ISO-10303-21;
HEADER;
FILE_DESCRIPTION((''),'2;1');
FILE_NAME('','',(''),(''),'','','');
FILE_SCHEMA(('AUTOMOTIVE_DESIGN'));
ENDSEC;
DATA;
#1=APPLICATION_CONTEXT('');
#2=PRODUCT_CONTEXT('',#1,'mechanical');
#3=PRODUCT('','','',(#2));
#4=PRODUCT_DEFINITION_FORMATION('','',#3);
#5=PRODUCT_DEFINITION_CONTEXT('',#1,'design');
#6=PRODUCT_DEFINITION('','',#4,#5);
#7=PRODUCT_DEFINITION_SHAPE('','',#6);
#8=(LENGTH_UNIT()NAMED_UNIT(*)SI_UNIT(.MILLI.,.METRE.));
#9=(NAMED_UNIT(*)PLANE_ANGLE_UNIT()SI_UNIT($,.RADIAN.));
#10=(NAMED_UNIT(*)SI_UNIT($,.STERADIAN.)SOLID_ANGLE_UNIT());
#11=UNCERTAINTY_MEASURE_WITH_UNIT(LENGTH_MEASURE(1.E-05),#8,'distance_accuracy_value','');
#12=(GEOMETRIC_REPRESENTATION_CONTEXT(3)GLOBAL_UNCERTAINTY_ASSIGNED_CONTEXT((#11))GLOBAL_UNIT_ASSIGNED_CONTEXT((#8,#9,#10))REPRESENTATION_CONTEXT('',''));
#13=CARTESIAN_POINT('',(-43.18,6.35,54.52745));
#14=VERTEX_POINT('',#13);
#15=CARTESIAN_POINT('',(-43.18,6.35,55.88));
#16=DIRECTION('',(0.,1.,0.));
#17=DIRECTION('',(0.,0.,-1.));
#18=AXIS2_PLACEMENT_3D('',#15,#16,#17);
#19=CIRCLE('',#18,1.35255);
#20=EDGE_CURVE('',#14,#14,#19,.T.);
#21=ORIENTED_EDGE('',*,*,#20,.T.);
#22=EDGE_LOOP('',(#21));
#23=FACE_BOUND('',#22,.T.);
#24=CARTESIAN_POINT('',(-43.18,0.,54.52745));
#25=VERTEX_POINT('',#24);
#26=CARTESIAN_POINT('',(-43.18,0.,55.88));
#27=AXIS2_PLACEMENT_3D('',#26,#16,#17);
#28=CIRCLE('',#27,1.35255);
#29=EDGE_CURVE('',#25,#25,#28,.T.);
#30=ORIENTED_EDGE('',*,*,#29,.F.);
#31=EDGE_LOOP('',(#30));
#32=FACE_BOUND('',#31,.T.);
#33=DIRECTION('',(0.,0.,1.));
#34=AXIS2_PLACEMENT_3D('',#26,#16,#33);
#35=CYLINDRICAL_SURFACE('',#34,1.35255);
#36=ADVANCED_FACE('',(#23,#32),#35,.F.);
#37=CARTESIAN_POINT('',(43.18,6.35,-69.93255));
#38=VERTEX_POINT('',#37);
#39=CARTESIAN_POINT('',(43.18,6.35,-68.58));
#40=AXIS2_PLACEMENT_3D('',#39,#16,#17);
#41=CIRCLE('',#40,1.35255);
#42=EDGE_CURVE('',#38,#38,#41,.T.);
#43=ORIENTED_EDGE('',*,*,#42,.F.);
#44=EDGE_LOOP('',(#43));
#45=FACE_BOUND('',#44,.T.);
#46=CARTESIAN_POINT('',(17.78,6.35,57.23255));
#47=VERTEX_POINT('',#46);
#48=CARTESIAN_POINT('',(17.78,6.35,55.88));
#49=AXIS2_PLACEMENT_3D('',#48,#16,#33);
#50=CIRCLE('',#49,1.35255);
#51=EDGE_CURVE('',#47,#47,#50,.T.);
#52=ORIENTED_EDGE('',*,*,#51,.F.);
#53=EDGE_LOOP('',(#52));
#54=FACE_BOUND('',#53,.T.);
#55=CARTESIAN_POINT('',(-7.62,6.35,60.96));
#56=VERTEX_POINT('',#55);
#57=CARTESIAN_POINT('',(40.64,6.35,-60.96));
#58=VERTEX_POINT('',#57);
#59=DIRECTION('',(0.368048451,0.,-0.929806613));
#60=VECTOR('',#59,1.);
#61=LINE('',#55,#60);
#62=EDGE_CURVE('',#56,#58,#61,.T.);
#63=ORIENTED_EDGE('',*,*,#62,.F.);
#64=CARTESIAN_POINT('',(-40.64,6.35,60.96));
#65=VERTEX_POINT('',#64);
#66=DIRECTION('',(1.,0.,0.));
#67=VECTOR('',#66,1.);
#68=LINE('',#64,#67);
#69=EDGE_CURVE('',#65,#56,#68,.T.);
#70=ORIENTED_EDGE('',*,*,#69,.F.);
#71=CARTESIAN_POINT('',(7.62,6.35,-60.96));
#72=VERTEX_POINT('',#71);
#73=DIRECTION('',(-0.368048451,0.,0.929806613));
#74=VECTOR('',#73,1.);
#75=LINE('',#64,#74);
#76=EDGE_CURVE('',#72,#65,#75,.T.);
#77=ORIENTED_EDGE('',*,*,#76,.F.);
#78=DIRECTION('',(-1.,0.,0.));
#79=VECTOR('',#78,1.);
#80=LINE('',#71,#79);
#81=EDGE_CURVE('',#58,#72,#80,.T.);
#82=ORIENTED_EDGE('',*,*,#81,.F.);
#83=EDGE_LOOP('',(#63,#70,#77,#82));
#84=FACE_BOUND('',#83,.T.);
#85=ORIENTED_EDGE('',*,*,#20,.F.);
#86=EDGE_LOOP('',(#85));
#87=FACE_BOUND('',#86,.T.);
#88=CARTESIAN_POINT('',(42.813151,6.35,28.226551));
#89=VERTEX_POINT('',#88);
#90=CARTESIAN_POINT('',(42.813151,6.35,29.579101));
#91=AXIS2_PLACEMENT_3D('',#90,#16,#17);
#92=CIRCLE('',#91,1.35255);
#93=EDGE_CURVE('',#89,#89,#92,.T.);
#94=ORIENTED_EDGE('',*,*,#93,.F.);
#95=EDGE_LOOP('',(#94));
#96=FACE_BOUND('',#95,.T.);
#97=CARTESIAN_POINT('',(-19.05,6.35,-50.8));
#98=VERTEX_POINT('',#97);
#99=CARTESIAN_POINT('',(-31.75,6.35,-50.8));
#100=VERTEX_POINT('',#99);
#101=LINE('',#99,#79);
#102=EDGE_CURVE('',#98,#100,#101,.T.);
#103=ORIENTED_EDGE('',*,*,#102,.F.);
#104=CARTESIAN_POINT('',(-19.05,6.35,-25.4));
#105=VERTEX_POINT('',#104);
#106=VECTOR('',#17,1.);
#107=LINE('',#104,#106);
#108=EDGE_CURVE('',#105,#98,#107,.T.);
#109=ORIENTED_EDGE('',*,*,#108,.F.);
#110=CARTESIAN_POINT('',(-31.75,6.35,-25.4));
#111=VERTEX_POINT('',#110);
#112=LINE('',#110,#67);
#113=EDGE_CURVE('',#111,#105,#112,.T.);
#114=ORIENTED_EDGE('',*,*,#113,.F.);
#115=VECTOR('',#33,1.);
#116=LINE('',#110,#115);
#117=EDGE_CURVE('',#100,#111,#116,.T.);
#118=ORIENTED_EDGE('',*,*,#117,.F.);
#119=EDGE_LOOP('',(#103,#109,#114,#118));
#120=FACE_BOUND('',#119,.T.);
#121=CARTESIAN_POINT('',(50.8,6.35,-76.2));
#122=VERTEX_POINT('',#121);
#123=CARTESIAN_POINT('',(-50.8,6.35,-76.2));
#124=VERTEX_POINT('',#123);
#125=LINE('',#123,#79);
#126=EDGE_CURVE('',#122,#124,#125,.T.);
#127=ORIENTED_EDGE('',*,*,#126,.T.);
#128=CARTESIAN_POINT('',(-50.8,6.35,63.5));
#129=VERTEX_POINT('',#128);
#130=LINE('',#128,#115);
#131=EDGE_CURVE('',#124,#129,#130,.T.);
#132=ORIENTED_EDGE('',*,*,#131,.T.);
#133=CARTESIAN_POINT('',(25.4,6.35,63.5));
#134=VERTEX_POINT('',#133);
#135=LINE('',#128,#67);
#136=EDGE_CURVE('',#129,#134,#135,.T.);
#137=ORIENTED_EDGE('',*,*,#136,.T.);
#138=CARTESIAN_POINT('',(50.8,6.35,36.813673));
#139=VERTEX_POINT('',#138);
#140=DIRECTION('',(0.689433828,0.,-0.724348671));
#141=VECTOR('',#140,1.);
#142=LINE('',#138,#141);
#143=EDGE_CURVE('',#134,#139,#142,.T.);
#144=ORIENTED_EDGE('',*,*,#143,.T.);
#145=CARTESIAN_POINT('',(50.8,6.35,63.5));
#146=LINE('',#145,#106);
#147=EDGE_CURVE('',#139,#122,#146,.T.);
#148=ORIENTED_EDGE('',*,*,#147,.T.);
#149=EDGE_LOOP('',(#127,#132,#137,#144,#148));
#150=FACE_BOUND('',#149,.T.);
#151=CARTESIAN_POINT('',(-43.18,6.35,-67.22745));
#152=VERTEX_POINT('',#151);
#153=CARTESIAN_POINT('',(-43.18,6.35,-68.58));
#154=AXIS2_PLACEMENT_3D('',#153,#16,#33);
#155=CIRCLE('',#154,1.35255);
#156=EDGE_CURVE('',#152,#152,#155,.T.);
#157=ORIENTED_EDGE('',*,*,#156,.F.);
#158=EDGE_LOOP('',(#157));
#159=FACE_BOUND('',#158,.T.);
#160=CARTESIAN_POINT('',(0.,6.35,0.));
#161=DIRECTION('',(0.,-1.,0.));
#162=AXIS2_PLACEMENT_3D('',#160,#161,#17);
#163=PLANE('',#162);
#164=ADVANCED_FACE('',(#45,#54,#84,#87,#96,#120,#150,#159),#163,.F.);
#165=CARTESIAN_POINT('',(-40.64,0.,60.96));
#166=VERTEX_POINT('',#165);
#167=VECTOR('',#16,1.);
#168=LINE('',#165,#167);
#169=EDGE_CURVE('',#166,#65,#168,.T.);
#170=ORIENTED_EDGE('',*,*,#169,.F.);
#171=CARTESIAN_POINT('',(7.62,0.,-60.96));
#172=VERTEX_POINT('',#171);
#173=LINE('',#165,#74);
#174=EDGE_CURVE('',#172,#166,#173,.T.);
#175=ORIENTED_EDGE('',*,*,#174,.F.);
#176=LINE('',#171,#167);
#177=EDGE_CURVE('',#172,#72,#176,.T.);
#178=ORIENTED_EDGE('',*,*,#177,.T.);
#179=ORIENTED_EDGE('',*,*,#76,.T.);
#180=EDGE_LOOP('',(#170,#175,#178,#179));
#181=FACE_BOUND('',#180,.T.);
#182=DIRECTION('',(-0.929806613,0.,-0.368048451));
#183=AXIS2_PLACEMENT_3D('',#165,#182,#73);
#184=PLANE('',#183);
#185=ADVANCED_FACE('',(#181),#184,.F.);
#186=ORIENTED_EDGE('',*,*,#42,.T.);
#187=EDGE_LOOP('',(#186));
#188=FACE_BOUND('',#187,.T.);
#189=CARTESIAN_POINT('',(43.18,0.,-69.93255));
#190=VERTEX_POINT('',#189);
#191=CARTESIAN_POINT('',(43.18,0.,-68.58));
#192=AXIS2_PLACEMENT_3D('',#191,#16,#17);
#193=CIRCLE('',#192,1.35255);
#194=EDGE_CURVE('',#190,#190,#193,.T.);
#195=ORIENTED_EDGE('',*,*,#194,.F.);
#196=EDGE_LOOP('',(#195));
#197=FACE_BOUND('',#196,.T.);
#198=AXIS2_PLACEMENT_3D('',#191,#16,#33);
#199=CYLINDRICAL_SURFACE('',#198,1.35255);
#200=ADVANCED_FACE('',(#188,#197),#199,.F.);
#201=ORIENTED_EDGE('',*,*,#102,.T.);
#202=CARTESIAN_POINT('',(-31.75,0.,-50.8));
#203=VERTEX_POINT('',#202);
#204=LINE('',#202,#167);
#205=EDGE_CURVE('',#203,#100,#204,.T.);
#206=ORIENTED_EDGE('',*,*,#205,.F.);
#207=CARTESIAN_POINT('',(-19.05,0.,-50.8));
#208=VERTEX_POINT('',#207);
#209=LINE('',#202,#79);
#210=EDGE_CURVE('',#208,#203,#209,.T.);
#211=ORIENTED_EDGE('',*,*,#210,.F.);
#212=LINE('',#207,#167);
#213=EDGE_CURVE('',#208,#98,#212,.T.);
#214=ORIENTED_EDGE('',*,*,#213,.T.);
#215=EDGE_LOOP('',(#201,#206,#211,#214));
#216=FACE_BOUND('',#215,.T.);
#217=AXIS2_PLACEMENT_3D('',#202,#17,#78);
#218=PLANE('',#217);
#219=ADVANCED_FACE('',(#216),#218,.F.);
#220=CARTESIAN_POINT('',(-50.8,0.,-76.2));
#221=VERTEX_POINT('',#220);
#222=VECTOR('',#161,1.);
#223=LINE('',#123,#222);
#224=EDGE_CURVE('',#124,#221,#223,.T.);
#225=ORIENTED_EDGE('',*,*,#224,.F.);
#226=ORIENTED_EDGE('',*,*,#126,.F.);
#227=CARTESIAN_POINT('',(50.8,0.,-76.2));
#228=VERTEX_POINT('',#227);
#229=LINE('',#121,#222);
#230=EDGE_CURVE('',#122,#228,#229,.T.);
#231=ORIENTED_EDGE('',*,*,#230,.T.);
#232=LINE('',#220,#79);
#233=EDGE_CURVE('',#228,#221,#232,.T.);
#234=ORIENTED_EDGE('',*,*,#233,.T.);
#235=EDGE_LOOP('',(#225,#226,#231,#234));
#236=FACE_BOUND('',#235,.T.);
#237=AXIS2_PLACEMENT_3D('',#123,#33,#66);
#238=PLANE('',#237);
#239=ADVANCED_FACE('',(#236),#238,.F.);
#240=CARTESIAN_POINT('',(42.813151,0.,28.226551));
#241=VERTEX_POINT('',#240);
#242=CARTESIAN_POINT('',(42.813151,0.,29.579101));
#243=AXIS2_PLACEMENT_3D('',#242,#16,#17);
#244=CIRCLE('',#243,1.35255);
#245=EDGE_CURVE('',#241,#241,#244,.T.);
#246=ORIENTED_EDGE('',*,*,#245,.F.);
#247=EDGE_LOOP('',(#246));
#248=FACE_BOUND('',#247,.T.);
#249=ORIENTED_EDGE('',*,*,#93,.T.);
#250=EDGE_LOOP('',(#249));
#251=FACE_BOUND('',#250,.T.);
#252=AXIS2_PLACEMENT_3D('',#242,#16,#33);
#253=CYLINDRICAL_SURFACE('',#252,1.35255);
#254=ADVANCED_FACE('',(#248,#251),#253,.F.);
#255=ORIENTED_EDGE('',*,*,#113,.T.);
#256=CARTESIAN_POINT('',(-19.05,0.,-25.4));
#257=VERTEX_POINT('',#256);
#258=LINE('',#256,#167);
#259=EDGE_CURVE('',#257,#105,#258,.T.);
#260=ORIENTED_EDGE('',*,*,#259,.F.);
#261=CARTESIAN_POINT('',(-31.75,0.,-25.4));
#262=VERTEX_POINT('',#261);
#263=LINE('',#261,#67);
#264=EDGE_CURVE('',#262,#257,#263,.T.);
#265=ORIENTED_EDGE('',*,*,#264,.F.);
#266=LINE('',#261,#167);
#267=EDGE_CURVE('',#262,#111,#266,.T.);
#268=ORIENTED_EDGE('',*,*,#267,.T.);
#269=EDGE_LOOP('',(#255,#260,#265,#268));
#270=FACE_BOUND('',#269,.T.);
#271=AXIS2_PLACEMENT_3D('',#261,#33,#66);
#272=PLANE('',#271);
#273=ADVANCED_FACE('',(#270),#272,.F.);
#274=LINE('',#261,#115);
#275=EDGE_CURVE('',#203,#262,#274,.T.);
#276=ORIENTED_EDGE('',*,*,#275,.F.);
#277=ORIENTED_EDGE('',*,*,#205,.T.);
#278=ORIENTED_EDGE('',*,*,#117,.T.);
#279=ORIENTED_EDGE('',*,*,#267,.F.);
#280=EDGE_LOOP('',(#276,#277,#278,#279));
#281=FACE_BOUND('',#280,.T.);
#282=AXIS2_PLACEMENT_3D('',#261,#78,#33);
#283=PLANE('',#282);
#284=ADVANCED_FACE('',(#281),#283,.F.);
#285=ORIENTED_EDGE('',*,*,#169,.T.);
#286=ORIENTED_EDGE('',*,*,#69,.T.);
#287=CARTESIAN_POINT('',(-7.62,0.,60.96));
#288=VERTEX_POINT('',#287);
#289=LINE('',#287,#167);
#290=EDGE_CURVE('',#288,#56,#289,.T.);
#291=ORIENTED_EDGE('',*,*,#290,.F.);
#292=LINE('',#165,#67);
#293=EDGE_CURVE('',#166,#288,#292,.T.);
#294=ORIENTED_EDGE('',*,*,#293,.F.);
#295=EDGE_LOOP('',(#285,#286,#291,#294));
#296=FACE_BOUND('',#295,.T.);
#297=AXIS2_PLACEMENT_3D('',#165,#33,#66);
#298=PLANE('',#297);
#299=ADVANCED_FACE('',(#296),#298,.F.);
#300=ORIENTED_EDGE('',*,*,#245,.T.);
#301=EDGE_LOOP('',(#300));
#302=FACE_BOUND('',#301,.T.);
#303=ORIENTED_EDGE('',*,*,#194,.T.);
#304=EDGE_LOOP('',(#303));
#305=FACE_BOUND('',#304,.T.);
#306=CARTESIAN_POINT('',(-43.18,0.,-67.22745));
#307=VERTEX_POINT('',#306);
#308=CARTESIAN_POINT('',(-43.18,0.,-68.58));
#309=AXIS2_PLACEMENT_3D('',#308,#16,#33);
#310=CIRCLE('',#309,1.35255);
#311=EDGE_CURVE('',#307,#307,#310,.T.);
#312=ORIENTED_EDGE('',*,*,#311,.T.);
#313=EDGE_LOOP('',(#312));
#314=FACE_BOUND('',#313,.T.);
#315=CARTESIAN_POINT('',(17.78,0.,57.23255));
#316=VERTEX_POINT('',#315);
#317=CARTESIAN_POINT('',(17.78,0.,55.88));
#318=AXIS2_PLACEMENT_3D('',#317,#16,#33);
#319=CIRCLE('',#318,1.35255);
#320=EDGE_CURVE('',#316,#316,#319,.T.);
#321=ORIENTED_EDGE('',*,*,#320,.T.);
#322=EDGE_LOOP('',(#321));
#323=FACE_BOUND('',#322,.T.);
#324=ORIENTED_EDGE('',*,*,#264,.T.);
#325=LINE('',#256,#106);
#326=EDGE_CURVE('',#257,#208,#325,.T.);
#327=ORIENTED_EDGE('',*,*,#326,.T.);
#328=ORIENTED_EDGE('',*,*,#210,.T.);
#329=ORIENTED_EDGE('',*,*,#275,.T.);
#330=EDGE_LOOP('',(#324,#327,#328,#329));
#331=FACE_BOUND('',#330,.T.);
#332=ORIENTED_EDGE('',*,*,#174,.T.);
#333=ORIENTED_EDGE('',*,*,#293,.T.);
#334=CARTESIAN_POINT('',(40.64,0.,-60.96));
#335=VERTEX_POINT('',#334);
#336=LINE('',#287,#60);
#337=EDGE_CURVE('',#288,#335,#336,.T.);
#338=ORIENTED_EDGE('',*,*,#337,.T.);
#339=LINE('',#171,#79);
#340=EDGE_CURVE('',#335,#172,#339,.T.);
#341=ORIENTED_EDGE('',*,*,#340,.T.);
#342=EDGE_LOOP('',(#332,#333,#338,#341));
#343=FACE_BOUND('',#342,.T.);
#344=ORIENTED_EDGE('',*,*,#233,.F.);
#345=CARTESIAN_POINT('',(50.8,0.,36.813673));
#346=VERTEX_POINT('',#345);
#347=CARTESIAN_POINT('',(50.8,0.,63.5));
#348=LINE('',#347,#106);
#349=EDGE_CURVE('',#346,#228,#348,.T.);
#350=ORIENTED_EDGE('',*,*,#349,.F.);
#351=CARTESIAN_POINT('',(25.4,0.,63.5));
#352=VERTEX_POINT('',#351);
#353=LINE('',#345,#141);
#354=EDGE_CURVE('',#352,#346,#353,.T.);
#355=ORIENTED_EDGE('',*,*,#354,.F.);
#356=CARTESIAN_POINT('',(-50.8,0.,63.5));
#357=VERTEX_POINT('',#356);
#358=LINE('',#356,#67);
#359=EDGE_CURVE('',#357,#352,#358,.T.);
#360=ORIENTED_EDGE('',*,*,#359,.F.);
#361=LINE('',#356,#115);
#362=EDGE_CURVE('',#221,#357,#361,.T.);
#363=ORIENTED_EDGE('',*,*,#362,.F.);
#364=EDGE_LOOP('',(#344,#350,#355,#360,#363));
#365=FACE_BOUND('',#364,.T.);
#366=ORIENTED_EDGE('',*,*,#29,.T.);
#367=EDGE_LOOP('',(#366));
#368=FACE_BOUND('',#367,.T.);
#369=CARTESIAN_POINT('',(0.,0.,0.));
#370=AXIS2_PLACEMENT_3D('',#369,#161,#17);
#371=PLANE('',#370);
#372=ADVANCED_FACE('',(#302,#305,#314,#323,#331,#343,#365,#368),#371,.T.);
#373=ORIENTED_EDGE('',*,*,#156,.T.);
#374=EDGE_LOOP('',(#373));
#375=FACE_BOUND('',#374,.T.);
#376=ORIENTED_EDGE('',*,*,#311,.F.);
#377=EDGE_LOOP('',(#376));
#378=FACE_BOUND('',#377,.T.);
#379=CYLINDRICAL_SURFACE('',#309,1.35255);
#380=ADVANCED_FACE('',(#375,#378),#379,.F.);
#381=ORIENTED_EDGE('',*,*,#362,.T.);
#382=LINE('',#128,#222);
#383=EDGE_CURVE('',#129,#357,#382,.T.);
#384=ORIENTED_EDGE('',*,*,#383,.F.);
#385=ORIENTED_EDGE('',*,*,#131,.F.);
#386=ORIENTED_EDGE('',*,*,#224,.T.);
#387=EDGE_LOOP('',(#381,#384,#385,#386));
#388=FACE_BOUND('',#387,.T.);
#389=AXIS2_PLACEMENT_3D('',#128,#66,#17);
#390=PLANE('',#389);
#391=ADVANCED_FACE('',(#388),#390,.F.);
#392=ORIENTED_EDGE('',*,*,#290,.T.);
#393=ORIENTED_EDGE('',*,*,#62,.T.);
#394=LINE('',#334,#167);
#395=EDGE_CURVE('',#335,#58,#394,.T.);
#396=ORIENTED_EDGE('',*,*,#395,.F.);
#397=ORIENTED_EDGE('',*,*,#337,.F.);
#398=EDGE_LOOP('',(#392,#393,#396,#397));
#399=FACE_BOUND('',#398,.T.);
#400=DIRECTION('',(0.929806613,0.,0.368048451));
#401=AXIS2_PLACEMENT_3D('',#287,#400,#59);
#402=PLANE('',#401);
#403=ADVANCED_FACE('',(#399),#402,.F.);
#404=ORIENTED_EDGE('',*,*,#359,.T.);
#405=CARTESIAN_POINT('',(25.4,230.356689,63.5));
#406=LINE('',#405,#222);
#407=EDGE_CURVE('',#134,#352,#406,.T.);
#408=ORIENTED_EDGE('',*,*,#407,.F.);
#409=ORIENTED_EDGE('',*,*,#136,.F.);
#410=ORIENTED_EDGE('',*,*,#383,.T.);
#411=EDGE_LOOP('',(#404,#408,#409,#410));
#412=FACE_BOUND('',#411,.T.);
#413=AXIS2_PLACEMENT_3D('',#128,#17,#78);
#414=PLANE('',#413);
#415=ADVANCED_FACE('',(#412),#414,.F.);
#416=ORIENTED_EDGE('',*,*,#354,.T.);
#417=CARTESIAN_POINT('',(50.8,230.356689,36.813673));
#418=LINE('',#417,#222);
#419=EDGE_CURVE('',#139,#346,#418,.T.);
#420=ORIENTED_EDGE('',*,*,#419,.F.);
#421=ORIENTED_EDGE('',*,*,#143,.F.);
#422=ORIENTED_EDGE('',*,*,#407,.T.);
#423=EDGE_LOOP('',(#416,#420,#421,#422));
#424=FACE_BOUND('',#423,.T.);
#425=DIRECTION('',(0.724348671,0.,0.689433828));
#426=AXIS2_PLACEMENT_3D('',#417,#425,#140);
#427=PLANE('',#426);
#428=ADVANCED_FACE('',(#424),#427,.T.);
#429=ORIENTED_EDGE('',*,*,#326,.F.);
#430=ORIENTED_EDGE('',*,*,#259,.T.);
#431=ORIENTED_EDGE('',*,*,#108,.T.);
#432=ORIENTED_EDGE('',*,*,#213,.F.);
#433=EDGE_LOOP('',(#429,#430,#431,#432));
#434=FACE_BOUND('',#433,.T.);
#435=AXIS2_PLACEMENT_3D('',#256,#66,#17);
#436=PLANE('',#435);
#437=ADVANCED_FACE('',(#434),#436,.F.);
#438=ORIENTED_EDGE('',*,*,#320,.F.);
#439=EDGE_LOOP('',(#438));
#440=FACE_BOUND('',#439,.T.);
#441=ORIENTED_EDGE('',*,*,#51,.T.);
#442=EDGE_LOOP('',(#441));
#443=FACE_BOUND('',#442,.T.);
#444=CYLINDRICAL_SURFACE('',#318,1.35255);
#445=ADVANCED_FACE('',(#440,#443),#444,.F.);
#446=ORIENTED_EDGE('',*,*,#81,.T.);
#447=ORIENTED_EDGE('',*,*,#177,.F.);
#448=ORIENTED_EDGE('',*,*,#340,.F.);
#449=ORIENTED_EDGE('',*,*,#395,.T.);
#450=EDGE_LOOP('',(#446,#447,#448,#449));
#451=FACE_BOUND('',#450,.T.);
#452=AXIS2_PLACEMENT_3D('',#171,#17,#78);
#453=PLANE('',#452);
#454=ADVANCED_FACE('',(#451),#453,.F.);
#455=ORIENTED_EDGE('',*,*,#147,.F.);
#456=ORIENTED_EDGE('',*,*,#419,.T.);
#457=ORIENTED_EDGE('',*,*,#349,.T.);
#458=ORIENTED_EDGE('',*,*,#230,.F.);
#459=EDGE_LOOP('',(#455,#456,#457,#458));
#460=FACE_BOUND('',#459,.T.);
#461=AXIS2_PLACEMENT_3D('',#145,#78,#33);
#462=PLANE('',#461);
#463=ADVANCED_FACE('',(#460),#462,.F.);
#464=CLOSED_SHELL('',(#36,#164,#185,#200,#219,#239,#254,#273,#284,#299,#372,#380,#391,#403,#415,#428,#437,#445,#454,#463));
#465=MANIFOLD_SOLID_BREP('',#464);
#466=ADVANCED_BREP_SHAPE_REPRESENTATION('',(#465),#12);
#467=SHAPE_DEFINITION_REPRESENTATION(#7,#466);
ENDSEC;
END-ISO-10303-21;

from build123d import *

# Parameters (mm, degrees)
SKETCH1_W               = 101.6
SKETCH1_H               = 139.7
BOSS_EXTRUDE1_DEPTH     = 6.35
CUT_EXTRUDE1_DEPTH      = 92.800885072
CUT_EXTRUDE4_DEPTH      = 92.800885072
CUT_EXTRUDE4_DEPTH_BACK = 6.35
CUT_EXTRUDE5_DEPTH      = 6.35
SKETCH11_W              = 12.7
SKETCH11_H              = 25.4
CUT_EXTRUDE6_DEPTH      = 6.35
SKETCH12_R              = 1.35255
CUT_EXTRUDE7_DEPTH      = 92.800885072


with BuildPart() as part:
    # Sketch1 → Boss-Extrude1 (new body)
    with BuildSketch(Plane(origin=(0, 0, 0), x_dir=(1, 0, 0), z_dir=(0, 1, 0))):
        with Locations((0, 6.35)):
            Rectangle(SKETCH1_W, SKETCH1_H)
    extrude(amount=BOSS_EXTRUDE1_DEPTH)

    # Sketch3 → Cut-Extrude1 (cut, through all)
    with BuildSketch(Plane(origin=(0, 6.35, 0), x_dir=(1, 0, 0), z_dir=(0, 1, 0))):
        with BuildLine():
            Line((-1.486564617, 31.962640907), (30.263435383, 59.140640907))
            ThreePointArc((30.263435383, 59.140640907), (33.486640907, 58.890564617), (33.236564617, 55.667359093))
            Line((33.236564617, 55.667359093), (1.486564617, 28.489359093))
            ThreePointArc((1.486564617, 28.489359093), (-1.736640907, 28.739435383), (-1.486564617, 31.962640907))
        make_face()
        with BuildLine():
            Line((1.486564617, -31.962640907), (-30.263435383, -59.140640907))
            ThreePointArc((-30.263435383, -59.140640907), (-33.486640907, -58.890564617), (-33.236564617, -55.667359093))
            Line((-33.236564617, -55.667359093), (-1.486564617, -28.489359093))
            ThreePointArc((-1.486564617, -28.489359093), (1.736640907, -28.739435383), (1.486564617, -31.962640907))
        make_face()
    extrude(amount=-CUT_EXTRUDE1_DEPTH, mode=Mode.SUBTRACT)

    # Sketch7 → Cut-Extrude4 (cut, two sides: drawn at the far end of the back side and taken through both)
    with BuildSketch(Plane(origin=(0, 6.35, 0), x_dir=(1, 0, 0), z_dir=(0, 1, 0)).offset(-CUT_EXTRUDE4_DEPTH_BACK)):
        Polygon((277.114298269, 200.961809181), (50.8, -36.813673481), (25.4, -63.5), (-200.914298269, -301.275482661), (274.636667054, -753.904079199), (752.665263592, -251.666787357), align=None)
    extrude(amount=CUT_EXTRUDE4_DEPTH + CUT_EXTRUDE4_DEPTH_BACK, mode=Mode.SUBTRACT)

    # Sketch10 → Cut-Extrude5 (cut)
    with BuildSketch(Plane(origin=(0, 6.35, 0), x_dir=(1, 0, 0), z_dir=(0, 1, 0))):
        Polygon((-40.64, -60.96), (-7.62, -60.96), (40.64, 60.96), (7.62, 60.96), align=None)
    extrude(amount=-CUT_EXTRUDE5_DEPTH, mode=Mode.SUBTRACT)

    # Sketch11 → Cut-Extrude6 (cut)
    with BuildSketch(Plane(origin=(0, 6.35, 0), x_dir=(1, 0, 0), z_dir=(0, 1, 0))):
        with Locations((-25.4, 38.1)):
            Rectangle(SKETCH11_W, SKETCH11_H)
    extrude(amount=-CUT_EXTRUDE6_DEPTH, mode=Mode.SUBTRACT)

    # Sketch12 → Cut-Extrude7 (cut, through all)
    with BuildSketch(Plane(origin=(0, 6.35, 0), x_dir=(1, 0, 0), z_dir=(0, 1, 0))):
        with Locations(Location((-43.18, 68.58, 0), (0, 0, 270))):
            Circle(SKETCH12_R)
        with Locations(Location((43.18, 68.58, 0), (0, 0, 90))):
            Circle(SKETCH12_R)
        with Locations(Location((-43.18, -55.88, 0), (0, 0, 90))):
            Circle(SKETCH12_R)
        with Locations(Location((17.78, -55.88, 0), (0, 0, 270))):
            Circle(SKETCH12_R)
        with Locations(Location((42.813150737, -29.579101009, 0), (0, 0, 90))):
            Circle(SKETCH12_R)
    extrude(amount=-CUT_EXTRUDE7_DEPTH, mode=Mode.SUBTRACT)


solid = part.part
